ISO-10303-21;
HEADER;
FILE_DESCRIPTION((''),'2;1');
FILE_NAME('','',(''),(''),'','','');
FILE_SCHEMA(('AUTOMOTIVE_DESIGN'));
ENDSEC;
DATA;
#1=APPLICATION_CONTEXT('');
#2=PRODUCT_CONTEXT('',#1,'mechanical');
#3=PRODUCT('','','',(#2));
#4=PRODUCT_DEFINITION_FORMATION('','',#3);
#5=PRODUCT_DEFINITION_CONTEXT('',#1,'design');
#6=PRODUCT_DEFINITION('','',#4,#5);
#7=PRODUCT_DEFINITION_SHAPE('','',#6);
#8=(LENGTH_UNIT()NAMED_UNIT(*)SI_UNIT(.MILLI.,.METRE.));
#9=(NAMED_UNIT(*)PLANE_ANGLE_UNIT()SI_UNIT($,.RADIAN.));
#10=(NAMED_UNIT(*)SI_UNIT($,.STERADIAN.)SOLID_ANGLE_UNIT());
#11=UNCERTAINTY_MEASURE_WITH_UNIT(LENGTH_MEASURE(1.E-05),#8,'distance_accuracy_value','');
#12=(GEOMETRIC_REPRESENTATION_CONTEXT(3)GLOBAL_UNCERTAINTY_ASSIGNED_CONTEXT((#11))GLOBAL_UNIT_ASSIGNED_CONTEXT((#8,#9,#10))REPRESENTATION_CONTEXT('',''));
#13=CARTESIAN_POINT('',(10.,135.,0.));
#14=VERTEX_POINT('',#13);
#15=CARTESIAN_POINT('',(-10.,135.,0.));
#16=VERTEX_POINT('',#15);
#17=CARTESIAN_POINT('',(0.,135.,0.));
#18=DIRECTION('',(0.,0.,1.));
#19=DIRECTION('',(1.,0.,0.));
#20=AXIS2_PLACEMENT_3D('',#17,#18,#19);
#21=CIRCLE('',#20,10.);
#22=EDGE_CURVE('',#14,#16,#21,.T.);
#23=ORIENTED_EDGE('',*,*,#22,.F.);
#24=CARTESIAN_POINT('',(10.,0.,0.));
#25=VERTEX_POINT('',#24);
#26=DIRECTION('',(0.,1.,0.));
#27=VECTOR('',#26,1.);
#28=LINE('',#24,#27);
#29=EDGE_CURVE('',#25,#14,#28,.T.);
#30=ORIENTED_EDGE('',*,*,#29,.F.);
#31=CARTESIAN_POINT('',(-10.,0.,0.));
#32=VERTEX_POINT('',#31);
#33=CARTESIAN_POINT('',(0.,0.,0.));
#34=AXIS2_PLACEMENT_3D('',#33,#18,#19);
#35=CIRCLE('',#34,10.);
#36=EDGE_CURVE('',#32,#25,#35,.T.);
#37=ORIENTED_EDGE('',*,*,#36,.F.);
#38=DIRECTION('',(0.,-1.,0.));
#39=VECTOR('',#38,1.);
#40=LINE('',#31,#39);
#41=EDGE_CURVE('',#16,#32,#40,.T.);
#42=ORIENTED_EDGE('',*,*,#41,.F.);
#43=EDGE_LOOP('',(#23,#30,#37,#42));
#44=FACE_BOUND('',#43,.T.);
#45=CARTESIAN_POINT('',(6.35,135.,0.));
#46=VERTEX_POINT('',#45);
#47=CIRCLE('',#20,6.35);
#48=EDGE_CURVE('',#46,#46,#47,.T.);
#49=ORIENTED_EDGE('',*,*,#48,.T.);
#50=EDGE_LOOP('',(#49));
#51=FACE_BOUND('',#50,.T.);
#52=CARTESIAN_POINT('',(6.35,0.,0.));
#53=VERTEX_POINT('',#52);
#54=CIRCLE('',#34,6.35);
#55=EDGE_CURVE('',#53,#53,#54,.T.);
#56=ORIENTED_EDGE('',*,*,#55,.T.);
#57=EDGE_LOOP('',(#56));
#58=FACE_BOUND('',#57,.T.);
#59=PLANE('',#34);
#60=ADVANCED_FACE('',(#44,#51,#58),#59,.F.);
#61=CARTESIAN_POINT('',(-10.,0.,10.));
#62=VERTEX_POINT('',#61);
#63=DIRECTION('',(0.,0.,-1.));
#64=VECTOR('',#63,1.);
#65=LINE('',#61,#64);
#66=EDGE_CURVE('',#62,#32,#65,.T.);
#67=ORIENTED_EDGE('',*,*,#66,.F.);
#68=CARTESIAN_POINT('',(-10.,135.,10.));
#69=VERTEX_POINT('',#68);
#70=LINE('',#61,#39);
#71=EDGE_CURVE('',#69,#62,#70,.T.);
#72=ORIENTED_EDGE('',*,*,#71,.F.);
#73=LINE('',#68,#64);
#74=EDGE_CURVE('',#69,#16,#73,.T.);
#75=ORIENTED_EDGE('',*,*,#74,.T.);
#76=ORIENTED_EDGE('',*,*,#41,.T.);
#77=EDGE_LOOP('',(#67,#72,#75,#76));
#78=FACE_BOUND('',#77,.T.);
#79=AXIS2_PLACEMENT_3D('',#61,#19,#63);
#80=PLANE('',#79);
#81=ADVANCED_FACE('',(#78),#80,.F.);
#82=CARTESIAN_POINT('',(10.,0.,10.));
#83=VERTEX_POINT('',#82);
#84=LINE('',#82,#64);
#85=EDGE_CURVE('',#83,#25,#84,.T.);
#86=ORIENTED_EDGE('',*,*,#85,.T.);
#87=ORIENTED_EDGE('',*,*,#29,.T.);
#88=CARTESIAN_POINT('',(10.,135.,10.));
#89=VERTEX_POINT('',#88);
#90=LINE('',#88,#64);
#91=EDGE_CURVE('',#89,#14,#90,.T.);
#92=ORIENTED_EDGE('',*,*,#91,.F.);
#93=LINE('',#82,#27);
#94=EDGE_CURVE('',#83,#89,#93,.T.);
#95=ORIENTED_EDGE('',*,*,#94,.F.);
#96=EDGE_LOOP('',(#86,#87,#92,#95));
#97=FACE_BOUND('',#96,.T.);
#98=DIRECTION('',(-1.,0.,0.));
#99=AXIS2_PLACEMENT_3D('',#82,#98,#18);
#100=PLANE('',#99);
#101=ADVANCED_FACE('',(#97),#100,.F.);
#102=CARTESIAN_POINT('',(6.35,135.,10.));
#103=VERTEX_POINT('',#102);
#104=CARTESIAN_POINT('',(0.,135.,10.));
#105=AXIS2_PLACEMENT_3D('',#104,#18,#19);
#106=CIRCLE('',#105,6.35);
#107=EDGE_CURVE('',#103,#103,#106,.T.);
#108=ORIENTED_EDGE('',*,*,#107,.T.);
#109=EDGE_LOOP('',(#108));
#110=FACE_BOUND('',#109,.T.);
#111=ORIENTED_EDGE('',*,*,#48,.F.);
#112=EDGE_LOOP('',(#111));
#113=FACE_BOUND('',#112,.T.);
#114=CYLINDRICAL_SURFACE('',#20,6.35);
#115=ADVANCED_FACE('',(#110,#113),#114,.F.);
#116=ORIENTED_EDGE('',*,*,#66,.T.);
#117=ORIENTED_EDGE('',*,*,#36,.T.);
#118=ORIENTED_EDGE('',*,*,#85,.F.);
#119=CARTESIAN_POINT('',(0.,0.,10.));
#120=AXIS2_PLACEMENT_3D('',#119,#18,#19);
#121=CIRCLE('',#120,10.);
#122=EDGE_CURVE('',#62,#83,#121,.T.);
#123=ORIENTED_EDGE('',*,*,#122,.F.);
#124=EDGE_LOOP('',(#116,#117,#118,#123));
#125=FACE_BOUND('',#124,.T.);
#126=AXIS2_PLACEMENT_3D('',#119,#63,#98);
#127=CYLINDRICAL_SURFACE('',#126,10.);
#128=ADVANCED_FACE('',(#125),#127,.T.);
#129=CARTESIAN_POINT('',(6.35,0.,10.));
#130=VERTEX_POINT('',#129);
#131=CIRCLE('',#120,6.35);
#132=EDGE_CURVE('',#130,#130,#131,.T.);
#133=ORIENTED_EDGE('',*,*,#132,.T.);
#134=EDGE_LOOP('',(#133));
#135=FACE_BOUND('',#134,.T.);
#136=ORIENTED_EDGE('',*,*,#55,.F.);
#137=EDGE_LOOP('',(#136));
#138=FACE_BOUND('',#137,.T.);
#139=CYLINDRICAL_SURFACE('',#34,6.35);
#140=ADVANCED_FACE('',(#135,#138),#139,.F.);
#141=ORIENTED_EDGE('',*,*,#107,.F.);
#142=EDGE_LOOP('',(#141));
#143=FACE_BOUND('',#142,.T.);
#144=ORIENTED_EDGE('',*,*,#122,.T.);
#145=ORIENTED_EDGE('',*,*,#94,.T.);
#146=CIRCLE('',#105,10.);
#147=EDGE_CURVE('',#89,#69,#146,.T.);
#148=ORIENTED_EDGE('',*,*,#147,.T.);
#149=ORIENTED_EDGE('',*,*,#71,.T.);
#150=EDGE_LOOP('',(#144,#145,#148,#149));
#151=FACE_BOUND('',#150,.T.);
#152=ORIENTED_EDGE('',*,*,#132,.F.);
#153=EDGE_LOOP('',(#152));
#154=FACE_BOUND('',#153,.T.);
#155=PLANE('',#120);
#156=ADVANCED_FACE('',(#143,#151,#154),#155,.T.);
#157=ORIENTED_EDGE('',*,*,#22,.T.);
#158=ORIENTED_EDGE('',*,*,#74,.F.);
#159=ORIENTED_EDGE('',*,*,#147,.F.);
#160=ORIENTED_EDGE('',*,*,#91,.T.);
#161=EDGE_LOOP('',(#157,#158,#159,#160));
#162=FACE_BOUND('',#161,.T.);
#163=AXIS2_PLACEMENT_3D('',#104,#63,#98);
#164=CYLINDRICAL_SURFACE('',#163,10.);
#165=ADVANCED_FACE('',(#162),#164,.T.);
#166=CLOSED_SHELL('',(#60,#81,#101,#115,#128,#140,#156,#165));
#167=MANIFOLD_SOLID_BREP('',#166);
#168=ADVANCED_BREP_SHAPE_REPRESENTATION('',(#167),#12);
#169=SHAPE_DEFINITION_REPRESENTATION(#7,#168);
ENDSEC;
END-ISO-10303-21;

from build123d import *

# Parameters (mm, degrees)
BOSS_EXTRUDE1_DEPTH = 10
SKETCH2_R           = 6.35
CUT_EXTRUDE1_DEPTH  = 146.688022843


with BuildPart() as part:
    # Sketch1 → Boss-Extrude1 (new body)
    with BuildSketch(Plane.XY):
        with BuildLine():
            Line((-10, 0), (-10, 135))
            ThreePointArc((-10, 135), (0, 145), (10, 135))
            Line((10, 135), (10, 0))
            ThreePointArc((10, 0), (0, -10), (-10, 0))
        make_face()
    extrude(amount=BOSS_EXTRUDE1_DEPTH)

    # Sketch2 → Cut-Extrude1 (cut, through all)
    with BuildSketch(Plane.XY.offset(10)):
        with Locations((0, 135)):
            Circle(SKETCH2_R)
        Circle(SKETCH2_R)
    extrude(amount=-CUT_EXTRUDE1_DEPTH, mode=Mode.SUBTRACT)


solid = part.part
